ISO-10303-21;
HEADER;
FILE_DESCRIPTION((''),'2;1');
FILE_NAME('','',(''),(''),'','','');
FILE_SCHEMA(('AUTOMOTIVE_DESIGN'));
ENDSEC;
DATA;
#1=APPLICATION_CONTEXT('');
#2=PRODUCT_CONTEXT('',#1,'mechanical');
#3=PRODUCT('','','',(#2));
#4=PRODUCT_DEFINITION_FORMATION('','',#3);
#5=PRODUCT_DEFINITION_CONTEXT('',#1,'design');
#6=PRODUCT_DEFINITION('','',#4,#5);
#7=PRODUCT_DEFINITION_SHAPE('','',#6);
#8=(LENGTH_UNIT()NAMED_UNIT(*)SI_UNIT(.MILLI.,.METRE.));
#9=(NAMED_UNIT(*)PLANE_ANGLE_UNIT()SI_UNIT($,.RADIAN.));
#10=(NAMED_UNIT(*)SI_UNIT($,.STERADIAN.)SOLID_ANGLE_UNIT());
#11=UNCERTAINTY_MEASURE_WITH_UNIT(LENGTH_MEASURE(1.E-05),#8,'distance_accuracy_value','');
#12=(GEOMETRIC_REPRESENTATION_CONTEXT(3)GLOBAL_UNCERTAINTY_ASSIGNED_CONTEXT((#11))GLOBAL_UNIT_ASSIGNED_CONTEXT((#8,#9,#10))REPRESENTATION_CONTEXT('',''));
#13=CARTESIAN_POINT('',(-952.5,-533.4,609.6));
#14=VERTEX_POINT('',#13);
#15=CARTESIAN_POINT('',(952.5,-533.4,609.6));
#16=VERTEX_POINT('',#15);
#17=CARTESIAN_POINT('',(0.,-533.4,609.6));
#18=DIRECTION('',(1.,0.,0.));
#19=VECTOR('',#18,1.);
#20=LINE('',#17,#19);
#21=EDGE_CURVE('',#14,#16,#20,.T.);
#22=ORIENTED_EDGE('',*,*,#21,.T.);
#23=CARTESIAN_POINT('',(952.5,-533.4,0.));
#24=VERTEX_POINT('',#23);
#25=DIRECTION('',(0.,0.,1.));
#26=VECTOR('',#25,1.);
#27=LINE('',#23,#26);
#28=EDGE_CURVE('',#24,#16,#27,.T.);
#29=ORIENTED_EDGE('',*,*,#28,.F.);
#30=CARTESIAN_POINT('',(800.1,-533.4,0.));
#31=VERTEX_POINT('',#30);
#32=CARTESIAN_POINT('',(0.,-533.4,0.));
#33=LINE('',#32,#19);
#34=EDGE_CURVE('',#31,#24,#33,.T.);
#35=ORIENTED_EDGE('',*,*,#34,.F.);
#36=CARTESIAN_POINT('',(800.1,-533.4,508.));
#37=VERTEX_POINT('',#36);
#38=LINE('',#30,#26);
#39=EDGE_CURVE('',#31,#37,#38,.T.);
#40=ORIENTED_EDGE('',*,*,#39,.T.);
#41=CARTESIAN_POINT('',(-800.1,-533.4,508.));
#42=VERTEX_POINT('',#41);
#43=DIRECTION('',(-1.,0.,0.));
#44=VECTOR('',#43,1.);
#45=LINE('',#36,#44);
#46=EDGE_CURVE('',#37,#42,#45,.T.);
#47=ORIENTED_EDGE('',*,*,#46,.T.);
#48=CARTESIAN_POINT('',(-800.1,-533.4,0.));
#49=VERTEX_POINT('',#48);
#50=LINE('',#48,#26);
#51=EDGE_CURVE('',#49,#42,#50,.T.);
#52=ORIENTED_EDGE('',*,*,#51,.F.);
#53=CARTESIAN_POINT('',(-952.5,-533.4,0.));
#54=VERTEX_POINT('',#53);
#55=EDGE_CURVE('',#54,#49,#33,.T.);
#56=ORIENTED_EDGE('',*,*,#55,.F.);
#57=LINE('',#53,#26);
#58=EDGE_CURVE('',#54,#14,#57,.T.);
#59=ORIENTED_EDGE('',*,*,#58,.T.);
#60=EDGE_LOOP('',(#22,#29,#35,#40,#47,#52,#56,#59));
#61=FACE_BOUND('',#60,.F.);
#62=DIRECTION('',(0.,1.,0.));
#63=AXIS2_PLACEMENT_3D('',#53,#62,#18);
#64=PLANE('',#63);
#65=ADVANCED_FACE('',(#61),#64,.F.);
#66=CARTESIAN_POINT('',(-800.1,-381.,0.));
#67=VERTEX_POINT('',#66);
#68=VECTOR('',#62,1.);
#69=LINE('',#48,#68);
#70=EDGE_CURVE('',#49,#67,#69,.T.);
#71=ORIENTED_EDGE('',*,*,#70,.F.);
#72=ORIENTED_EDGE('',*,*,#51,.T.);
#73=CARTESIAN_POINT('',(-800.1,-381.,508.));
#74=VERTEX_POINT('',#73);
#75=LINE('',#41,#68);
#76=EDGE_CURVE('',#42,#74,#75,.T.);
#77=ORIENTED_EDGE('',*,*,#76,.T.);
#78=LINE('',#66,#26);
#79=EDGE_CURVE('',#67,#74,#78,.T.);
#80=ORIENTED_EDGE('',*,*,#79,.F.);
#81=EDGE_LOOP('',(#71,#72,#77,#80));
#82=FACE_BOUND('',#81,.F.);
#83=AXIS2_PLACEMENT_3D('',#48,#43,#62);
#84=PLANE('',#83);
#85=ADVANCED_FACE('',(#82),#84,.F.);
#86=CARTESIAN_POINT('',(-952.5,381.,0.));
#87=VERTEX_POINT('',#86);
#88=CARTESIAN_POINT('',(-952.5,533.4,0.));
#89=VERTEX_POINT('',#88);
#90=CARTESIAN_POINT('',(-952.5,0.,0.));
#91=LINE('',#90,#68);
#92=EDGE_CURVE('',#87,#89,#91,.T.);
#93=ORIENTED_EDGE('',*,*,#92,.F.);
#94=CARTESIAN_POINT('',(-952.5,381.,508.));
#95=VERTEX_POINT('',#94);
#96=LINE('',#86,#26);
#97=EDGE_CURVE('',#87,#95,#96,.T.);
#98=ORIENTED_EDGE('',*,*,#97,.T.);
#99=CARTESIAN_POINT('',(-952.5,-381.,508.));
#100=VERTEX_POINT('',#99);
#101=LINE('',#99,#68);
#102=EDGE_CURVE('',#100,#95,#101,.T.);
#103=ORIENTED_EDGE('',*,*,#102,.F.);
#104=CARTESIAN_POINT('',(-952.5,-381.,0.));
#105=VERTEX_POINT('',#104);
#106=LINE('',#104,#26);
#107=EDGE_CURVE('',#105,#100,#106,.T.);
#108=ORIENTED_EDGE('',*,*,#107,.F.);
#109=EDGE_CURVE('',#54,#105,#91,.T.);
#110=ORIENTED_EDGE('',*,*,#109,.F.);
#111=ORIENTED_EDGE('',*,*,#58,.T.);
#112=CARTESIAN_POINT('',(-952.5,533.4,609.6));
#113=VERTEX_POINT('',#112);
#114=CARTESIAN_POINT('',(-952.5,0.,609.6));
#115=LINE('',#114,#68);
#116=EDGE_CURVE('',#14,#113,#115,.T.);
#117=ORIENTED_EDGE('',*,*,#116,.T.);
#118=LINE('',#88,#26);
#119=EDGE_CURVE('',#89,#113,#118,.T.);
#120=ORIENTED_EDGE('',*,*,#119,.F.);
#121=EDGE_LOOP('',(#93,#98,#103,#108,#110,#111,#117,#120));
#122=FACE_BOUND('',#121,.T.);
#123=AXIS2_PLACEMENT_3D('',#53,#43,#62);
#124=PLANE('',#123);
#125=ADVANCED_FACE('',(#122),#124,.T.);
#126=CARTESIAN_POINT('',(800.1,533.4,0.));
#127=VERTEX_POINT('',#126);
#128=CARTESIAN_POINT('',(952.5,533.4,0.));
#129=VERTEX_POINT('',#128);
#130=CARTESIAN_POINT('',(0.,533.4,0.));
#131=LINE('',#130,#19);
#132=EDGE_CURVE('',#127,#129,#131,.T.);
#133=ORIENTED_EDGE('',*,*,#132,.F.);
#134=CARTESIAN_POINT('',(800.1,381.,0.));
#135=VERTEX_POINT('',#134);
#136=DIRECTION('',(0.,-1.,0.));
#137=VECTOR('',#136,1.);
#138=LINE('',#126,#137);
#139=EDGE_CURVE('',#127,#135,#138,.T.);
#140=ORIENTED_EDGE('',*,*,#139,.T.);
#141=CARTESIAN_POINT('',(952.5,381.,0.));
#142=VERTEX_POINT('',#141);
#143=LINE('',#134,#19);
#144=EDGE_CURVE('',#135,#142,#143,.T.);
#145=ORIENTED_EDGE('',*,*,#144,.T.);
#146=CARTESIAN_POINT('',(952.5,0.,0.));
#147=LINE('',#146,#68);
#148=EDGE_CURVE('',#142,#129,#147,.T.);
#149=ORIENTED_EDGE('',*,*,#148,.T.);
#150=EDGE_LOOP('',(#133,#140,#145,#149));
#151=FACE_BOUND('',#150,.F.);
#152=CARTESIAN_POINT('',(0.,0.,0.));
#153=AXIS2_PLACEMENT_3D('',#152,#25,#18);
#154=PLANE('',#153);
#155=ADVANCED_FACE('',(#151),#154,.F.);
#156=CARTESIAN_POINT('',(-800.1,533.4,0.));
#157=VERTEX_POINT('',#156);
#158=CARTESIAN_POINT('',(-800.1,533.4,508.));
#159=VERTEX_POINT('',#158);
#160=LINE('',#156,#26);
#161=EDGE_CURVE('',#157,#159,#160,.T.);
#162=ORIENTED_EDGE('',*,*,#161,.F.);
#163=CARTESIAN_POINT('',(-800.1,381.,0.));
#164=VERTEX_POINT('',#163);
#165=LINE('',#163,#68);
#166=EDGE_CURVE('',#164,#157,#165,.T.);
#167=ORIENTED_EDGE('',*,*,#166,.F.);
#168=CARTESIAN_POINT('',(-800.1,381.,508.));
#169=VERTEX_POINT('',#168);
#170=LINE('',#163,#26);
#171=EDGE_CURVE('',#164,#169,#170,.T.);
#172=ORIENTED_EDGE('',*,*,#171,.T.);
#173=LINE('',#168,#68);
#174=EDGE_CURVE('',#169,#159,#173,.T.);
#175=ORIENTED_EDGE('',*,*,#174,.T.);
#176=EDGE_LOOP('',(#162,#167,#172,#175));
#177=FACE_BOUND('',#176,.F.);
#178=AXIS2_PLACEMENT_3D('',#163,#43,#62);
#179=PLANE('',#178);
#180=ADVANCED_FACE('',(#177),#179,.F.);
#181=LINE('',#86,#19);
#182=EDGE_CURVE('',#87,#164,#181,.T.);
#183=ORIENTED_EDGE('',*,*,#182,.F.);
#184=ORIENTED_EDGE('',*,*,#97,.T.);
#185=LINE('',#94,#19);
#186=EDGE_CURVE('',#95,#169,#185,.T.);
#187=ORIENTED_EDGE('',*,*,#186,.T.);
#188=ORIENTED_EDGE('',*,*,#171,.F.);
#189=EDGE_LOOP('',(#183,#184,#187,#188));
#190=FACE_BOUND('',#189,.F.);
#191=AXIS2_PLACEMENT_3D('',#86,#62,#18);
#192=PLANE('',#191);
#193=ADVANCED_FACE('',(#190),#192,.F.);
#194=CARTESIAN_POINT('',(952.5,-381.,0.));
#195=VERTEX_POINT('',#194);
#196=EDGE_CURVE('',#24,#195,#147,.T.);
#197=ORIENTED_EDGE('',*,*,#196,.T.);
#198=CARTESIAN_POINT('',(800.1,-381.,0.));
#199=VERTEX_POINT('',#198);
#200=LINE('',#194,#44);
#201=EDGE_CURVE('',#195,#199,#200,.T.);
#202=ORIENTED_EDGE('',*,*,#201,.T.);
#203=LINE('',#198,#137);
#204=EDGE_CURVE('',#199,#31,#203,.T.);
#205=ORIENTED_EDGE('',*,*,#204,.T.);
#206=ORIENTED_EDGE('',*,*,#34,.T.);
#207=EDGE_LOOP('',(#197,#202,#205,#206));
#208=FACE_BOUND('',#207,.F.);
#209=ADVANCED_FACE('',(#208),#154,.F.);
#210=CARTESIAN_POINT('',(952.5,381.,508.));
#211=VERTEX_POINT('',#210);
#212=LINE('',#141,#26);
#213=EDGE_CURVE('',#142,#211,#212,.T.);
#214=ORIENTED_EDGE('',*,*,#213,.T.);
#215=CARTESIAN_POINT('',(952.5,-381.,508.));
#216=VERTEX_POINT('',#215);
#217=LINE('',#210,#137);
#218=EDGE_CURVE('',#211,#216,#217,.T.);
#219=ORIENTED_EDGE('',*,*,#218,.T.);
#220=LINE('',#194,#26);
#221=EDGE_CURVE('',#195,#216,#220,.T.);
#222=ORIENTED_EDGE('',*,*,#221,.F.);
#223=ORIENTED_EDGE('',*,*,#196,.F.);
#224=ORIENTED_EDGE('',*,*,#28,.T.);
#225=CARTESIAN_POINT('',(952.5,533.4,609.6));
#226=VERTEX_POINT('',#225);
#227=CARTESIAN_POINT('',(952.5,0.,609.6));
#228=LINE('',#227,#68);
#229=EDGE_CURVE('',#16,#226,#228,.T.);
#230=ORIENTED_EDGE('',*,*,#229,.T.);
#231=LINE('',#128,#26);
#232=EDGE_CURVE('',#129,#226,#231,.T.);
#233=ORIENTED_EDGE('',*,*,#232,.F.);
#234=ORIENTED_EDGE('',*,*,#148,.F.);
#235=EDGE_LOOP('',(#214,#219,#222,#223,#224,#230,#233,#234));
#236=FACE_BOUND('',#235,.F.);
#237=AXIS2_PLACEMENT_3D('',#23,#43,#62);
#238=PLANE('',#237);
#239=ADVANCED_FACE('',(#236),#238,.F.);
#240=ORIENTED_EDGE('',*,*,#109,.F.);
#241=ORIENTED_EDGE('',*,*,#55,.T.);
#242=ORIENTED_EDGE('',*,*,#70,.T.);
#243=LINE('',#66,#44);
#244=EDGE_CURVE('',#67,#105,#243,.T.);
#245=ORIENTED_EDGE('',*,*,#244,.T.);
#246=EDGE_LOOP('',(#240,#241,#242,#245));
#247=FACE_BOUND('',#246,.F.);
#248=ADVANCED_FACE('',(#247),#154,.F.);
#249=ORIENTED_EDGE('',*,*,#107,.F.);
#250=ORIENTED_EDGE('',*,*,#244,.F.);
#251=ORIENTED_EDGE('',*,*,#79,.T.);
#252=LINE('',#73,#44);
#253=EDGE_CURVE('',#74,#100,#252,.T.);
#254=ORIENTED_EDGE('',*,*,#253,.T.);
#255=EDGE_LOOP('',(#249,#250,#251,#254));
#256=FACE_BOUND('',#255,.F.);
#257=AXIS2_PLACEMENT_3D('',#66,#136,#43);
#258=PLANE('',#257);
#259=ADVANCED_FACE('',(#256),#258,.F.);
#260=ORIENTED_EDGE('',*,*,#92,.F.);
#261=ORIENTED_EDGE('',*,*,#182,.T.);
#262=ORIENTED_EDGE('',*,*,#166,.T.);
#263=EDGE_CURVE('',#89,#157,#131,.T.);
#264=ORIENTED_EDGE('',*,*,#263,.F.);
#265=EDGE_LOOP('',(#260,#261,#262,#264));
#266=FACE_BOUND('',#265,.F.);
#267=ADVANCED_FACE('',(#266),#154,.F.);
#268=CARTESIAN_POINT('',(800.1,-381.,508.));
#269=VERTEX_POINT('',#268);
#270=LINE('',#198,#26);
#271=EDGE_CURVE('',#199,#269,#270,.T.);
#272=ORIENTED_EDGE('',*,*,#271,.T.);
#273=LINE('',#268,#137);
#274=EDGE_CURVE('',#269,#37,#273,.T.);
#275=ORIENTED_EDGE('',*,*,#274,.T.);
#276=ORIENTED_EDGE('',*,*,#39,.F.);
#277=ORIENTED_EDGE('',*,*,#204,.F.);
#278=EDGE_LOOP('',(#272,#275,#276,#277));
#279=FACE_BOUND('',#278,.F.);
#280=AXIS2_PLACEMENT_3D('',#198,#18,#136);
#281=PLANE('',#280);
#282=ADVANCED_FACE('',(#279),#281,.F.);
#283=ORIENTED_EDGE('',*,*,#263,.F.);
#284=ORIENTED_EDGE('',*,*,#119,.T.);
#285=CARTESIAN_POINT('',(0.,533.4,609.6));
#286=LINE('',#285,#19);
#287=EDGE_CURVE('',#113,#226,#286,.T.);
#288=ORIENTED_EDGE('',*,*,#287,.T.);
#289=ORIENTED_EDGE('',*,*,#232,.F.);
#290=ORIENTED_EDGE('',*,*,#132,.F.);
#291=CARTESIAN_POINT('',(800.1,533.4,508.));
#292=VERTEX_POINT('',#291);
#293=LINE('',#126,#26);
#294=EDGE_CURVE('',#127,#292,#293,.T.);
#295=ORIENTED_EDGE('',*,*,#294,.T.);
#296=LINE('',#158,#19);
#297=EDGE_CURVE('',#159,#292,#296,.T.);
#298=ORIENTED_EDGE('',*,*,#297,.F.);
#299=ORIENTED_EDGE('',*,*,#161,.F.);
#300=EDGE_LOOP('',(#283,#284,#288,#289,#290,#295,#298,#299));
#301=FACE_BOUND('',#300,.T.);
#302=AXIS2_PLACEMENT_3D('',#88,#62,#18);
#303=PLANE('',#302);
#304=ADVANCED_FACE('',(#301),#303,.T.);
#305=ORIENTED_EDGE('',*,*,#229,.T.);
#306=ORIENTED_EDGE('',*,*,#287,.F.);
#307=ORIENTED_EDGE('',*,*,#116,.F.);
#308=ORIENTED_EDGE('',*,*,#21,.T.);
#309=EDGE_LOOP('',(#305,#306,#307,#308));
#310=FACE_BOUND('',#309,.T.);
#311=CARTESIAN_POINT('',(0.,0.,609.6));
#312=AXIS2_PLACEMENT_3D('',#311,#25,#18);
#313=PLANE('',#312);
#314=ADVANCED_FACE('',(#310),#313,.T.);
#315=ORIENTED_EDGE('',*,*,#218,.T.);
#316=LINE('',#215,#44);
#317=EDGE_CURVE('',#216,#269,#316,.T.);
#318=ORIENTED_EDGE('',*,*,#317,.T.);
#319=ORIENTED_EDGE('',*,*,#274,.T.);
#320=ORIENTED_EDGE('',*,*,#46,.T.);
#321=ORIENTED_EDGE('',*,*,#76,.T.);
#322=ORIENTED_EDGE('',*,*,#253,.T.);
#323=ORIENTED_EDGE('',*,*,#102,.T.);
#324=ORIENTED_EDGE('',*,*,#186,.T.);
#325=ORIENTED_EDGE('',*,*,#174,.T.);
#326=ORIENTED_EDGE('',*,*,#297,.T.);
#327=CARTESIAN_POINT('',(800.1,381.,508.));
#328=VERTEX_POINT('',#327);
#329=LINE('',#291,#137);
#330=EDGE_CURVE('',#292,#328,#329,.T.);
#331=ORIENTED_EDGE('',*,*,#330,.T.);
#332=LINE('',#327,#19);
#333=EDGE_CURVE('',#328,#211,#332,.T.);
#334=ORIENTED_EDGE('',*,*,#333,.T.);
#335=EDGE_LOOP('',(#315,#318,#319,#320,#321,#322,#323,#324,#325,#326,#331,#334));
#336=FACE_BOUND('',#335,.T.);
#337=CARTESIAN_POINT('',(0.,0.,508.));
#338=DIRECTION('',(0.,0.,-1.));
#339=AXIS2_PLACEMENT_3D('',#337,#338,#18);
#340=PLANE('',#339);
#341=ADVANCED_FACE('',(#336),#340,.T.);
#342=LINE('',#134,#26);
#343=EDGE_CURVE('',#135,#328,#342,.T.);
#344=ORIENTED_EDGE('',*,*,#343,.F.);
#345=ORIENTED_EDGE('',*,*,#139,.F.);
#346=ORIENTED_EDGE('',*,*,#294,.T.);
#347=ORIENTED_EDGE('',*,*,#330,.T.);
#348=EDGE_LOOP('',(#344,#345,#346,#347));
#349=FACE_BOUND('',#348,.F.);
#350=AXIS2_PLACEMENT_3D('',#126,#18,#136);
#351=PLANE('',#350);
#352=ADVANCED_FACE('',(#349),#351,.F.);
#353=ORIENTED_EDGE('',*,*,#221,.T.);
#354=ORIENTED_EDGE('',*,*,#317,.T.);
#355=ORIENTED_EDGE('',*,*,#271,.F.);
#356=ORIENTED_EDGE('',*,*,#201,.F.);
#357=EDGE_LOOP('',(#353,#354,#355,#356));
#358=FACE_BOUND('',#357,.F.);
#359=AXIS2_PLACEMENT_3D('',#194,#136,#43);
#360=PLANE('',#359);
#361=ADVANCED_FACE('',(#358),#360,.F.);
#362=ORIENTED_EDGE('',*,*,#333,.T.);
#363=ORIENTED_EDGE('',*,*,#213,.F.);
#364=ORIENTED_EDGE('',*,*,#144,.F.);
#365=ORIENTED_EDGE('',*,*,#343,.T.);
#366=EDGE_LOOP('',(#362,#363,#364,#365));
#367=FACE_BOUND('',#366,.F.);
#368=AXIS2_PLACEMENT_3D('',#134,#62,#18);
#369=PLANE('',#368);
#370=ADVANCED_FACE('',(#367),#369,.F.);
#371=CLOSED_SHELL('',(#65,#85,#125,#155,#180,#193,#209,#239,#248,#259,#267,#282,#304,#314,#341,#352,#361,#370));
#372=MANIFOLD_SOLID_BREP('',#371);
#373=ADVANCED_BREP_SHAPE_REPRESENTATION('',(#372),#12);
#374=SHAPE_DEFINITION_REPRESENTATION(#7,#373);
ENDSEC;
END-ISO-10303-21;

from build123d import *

# Parameters (mm, degrees)
F0_W     = 1905
F0_H     = 1066.8
F1_DEPTH = 609.6
F3_DEPTH = 508


with BuildPart() as f1:
    # F0 (on Top) → F1 (new body)
    with BuildSketch(Plane.XY):
        Rectangle(F0_W, F0_H)
    extrude(amount=F1_DEPTH)

    # F2 (on face) → F3 (cut)
    with BuildSketch(Plane(origin=(0, 0, 0), x_dir=(1, 0, 0), z_dir=(0, 0, -1))):
        Polygon((952.5, -381), (952.5, 381), (800.1, 381), (800.1, 533.4), (-800.1, 533.4), (-800.1, 381), (-952.5, 381), (-952.5, -381), (-800.1, -381), (-800.1, -533.4), (800.1, -533.4), (800.1, -381), align=None)
    extrude(amount=-F3_DEPTH, mode=Mode.SUBTRACT)


solid = f1.part
